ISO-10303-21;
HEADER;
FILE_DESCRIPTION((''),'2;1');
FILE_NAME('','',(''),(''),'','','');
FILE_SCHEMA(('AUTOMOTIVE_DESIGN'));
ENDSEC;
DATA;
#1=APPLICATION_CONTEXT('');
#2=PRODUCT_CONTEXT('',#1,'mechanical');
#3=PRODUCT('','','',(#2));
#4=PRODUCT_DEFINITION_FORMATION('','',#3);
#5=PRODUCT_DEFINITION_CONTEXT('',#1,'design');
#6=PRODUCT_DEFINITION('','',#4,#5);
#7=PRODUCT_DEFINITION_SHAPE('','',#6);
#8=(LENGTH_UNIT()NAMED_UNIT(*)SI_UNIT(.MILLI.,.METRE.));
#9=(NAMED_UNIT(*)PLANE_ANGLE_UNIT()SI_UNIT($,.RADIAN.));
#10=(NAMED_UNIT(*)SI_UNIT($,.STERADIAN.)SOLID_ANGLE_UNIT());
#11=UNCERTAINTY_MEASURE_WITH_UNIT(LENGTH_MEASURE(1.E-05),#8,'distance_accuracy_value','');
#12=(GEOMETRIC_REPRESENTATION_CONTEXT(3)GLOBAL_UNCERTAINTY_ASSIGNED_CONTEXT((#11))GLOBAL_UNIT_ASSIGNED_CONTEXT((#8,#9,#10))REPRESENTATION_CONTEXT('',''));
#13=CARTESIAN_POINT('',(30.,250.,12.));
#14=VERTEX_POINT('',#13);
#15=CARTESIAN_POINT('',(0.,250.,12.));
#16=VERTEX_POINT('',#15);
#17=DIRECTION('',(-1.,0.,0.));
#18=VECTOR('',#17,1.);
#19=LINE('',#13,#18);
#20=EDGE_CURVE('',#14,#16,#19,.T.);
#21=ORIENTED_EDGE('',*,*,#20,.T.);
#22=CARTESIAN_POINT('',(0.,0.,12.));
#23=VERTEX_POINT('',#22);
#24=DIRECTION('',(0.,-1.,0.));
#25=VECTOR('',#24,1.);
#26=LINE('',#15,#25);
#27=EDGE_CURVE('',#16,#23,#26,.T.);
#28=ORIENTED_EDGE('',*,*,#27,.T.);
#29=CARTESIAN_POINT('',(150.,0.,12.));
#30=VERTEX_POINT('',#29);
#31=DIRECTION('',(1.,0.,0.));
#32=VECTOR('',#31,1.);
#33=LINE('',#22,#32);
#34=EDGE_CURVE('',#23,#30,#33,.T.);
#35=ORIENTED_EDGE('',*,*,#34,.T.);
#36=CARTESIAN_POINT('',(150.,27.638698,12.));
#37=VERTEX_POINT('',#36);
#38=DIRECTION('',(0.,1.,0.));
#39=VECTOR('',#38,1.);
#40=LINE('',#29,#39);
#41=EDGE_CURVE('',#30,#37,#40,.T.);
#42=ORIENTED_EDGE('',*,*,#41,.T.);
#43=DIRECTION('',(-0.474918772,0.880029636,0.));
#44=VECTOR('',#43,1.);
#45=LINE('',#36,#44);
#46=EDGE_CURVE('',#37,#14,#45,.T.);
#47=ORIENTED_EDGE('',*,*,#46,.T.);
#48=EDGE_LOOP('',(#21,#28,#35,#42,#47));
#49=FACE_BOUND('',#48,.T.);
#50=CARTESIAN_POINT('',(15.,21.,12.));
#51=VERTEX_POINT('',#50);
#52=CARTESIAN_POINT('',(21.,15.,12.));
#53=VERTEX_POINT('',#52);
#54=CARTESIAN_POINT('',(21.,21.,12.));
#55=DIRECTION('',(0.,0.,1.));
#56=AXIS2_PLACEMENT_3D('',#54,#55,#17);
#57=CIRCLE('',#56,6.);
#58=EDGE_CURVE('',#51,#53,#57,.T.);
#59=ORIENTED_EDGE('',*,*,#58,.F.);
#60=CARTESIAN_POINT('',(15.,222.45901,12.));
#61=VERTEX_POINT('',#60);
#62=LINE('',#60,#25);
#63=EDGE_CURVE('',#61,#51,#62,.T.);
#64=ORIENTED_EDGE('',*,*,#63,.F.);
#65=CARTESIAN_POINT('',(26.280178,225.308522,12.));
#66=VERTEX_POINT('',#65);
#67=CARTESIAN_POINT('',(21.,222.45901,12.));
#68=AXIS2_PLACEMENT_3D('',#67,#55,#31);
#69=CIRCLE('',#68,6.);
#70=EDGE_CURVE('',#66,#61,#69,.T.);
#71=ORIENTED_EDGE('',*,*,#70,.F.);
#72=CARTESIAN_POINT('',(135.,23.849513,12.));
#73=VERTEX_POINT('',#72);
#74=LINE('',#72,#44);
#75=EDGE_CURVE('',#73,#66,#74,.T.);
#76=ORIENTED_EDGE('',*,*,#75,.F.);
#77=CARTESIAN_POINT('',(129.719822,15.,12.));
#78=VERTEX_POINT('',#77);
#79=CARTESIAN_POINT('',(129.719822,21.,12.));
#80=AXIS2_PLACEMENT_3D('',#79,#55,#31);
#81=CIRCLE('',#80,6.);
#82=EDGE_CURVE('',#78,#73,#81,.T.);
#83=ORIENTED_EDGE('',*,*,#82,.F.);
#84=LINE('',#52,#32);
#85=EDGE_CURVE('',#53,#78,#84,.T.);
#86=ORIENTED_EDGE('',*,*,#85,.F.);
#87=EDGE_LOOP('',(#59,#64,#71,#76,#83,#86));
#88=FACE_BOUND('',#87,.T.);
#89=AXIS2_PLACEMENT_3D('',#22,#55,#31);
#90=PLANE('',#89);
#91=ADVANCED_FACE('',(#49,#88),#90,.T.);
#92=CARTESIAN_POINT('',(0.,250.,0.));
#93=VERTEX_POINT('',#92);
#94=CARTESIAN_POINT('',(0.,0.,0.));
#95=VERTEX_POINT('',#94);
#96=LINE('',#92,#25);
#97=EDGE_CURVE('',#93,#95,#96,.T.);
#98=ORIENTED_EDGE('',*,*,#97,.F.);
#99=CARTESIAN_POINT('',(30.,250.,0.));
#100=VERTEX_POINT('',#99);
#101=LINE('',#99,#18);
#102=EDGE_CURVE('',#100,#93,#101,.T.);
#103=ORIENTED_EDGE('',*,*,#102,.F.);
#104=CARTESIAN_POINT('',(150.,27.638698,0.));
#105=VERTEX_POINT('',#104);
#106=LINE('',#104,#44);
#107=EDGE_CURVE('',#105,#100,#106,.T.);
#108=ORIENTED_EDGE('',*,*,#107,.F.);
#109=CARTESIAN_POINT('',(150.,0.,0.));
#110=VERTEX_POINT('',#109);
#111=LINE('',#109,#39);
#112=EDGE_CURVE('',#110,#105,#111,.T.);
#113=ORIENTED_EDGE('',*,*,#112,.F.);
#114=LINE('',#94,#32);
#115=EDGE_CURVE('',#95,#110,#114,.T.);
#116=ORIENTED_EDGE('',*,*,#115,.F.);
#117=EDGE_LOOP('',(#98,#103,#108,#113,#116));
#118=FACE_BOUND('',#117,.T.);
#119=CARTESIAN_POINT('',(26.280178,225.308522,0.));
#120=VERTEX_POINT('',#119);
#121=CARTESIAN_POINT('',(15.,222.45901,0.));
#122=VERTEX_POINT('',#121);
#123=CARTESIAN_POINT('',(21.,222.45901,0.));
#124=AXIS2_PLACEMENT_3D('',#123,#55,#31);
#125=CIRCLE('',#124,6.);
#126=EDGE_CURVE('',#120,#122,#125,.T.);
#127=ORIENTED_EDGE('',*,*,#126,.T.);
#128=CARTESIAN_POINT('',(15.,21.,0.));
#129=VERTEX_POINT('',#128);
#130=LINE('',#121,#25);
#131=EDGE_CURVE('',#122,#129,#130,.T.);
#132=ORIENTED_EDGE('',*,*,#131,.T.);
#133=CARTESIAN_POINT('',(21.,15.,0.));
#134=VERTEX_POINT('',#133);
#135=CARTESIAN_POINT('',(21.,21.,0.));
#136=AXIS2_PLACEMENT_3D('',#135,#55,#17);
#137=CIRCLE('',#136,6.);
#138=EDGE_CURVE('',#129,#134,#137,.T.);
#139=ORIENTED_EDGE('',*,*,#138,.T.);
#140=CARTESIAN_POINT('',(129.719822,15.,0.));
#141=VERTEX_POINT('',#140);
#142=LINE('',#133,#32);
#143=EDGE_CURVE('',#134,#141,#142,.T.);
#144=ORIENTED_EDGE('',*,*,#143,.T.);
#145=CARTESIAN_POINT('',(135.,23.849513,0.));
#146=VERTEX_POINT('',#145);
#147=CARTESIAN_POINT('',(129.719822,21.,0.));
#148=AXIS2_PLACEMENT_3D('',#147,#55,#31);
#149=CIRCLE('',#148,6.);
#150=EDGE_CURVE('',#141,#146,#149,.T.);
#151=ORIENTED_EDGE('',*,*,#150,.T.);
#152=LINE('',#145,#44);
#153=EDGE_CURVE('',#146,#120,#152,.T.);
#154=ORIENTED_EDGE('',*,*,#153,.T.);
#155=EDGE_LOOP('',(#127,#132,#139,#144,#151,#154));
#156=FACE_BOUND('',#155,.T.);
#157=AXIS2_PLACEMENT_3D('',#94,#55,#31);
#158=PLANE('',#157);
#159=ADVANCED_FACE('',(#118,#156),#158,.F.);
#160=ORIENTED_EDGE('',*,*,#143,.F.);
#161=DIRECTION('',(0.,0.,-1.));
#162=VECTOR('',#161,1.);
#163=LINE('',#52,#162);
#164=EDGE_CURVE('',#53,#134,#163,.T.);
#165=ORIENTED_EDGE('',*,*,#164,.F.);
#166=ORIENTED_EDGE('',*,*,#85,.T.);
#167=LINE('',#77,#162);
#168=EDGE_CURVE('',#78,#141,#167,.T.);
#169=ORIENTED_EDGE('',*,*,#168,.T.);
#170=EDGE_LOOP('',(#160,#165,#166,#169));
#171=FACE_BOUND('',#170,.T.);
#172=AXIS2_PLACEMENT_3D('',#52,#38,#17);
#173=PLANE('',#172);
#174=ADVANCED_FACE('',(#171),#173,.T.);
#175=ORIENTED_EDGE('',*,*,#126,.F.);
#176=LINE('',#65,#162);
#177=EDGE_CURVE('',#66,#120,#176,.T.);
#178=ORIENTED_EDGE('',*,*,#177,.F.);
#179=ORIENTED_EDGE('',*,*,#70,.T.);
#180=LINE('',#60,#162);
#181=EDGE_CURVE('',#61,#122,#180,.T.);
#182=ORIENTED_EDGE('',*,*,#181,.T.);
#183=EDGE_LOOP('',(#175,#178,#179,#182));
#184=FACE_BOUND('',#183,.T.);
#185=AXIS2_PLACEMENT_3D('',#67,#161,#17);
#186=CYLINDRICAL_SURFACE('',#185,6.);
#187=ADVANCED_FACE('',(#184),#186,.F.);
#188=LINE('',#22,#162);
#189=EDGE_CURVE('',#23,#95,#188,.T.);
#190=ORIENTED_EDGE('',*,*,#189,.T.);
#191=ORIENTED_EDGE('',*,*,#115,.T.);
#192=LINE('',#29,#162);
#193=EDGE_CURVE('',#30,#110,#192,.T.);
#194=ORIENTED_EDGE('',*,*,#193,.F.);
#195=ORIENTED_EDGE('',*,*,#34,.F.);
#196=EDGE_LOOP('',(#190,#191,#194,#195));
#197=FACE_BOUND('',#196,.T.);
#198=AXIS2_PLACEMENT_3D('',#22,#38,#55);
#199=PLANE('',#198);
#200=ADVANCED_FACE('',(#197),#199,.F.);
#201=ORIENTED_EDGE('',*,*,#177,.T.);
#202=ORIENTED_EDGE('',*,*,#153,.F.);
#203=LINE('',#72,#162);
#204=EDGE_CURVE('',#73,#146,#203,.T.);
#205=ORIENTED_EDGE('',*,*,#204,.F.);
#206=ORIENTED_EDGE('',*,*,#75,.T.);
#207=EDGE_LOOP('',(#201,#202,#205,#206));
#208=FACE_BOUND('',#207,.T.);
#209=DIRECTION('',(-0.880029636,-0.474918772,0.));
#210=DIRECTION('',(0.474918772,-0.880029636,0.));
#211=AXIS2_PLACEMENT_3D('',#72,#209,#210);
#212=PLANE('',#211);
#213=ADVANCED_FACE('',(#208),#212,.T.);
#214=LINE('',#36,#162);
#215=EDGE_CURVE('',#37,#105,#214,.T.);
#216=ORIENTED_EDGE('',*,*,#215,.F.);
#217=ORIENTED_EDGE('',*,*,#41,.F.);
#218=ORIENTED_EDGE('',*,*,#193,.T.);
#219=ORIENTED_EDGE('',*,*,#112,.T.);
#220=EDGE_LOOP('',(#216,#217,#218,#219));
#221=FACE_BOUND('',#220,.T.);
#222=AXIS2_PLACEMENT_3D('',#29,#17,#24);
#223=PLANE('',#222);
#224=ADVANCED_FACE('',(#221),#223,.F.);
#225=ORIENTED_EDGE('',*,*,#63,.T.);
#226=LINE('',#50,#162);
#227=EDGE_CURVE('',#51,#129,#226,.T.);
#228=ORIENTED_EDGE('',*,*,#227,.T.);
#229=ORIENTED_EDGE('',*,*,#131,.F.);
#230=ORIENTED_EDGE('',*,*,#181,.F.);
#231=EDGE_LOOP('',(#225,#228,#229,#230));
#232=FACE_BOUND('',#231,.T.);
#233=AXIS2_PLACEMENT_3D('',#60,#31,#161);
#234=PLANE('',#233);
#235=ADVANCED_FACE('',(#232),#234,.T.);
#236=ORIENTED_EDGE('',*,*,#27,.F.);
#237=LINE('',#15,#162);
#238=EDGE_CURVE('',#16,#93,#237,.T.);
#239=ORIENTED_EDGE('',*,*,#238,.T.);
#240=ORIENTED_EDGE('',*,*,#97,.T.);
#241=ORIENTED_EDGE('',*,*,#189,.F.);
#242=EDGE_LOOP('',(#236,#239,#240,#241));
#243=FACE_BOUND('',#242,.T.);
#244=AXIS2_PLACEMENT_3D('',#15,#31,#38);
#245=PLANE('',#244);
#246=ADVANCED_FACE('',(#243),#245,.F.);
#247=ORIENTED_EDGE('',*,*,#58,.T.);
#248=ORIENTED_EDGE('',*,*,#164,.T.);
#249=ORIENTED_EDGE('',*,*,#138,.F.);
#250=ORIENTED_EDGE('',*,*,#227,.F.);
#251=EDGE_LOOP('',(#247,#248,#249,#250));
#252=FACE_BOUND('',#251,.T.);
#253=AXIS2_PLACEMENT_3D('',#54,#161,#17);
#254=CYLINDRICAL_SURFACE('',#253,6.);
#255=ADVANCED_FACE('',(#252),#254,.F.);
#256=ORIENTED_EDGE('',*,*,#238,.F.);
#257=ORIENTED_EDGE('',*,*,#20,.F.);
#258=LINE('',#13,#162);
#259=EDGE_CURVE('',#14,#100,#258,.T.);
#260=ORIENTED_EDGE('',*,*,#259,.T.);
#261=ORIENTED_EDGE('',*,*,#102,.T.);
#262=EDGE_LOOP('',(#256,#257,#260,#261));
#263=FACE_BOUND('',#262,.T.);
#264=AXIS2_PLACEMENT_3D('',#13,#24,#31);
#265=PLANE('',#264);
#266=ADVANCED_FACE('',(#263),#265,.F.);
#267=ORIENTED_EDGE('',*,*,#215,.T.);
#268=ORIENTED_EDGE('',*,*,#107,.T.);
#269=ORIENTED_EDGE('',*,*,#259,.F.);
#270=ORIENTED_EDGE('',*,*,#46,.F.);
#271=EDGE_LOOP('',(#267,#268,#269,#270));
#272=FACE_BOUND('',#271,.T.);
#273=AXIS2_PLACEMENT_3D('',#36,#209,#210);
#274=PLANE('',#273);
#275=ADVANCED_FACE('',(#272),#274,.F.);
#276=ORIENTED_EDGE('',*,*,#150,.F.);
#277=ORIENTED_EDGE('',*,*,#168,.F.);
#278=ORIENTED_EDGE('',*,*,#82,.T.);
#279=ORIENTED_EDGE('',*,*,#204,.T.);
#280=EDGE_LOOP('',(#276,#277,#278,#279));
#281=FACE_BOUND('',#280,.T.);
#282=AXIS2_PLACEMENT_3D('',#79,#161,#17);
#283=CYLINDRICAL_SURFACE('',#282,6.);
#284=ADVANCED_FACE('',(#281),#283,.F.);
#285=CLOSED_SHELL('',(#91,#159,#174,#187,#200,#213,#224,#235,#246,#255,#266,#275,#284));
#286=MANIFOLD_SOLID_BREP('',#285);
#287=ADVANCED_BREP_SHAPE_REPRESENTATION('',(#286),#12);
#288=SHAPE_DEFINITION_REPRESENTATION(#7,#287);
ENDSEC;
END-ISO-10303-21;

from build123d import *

# Parameters (mm, degrees)
BOSS_EXTRUDE2_DEPTH = 12


with BuildPart() as part:
    # Sketch1 → Boss-Extrude2 (new body)
    with BuildSketch(Plane.XY):
        Polygon((0, 250), (0, 0), (150, 0), (150, 27.638698422), (30, 250), align=None)
        with BuildLine():
            Line((21, 15), (129.719822185, 15))
            ThreePointArc((129.719822185, 15), (134.872349516, 17.925676968), (135, 23.849512632))
            Line((135, 23.849512632), (26.280177815, 225.308522369))
            ThreePointArc((26.280177815, 225.308522369), (19.530487647, 228.276271415), (15, 222.459009736))
            Line((15, 222.459009736), (15, 21))
            ThreePointArc((15, 21), (16.757359313, 16.757359313), (21, 15))
        make_face(mode=Mode.SUBTRACT)
    extrude(amount=BOSS_EXTRUDE2_DEPTH)


solid = part.part
